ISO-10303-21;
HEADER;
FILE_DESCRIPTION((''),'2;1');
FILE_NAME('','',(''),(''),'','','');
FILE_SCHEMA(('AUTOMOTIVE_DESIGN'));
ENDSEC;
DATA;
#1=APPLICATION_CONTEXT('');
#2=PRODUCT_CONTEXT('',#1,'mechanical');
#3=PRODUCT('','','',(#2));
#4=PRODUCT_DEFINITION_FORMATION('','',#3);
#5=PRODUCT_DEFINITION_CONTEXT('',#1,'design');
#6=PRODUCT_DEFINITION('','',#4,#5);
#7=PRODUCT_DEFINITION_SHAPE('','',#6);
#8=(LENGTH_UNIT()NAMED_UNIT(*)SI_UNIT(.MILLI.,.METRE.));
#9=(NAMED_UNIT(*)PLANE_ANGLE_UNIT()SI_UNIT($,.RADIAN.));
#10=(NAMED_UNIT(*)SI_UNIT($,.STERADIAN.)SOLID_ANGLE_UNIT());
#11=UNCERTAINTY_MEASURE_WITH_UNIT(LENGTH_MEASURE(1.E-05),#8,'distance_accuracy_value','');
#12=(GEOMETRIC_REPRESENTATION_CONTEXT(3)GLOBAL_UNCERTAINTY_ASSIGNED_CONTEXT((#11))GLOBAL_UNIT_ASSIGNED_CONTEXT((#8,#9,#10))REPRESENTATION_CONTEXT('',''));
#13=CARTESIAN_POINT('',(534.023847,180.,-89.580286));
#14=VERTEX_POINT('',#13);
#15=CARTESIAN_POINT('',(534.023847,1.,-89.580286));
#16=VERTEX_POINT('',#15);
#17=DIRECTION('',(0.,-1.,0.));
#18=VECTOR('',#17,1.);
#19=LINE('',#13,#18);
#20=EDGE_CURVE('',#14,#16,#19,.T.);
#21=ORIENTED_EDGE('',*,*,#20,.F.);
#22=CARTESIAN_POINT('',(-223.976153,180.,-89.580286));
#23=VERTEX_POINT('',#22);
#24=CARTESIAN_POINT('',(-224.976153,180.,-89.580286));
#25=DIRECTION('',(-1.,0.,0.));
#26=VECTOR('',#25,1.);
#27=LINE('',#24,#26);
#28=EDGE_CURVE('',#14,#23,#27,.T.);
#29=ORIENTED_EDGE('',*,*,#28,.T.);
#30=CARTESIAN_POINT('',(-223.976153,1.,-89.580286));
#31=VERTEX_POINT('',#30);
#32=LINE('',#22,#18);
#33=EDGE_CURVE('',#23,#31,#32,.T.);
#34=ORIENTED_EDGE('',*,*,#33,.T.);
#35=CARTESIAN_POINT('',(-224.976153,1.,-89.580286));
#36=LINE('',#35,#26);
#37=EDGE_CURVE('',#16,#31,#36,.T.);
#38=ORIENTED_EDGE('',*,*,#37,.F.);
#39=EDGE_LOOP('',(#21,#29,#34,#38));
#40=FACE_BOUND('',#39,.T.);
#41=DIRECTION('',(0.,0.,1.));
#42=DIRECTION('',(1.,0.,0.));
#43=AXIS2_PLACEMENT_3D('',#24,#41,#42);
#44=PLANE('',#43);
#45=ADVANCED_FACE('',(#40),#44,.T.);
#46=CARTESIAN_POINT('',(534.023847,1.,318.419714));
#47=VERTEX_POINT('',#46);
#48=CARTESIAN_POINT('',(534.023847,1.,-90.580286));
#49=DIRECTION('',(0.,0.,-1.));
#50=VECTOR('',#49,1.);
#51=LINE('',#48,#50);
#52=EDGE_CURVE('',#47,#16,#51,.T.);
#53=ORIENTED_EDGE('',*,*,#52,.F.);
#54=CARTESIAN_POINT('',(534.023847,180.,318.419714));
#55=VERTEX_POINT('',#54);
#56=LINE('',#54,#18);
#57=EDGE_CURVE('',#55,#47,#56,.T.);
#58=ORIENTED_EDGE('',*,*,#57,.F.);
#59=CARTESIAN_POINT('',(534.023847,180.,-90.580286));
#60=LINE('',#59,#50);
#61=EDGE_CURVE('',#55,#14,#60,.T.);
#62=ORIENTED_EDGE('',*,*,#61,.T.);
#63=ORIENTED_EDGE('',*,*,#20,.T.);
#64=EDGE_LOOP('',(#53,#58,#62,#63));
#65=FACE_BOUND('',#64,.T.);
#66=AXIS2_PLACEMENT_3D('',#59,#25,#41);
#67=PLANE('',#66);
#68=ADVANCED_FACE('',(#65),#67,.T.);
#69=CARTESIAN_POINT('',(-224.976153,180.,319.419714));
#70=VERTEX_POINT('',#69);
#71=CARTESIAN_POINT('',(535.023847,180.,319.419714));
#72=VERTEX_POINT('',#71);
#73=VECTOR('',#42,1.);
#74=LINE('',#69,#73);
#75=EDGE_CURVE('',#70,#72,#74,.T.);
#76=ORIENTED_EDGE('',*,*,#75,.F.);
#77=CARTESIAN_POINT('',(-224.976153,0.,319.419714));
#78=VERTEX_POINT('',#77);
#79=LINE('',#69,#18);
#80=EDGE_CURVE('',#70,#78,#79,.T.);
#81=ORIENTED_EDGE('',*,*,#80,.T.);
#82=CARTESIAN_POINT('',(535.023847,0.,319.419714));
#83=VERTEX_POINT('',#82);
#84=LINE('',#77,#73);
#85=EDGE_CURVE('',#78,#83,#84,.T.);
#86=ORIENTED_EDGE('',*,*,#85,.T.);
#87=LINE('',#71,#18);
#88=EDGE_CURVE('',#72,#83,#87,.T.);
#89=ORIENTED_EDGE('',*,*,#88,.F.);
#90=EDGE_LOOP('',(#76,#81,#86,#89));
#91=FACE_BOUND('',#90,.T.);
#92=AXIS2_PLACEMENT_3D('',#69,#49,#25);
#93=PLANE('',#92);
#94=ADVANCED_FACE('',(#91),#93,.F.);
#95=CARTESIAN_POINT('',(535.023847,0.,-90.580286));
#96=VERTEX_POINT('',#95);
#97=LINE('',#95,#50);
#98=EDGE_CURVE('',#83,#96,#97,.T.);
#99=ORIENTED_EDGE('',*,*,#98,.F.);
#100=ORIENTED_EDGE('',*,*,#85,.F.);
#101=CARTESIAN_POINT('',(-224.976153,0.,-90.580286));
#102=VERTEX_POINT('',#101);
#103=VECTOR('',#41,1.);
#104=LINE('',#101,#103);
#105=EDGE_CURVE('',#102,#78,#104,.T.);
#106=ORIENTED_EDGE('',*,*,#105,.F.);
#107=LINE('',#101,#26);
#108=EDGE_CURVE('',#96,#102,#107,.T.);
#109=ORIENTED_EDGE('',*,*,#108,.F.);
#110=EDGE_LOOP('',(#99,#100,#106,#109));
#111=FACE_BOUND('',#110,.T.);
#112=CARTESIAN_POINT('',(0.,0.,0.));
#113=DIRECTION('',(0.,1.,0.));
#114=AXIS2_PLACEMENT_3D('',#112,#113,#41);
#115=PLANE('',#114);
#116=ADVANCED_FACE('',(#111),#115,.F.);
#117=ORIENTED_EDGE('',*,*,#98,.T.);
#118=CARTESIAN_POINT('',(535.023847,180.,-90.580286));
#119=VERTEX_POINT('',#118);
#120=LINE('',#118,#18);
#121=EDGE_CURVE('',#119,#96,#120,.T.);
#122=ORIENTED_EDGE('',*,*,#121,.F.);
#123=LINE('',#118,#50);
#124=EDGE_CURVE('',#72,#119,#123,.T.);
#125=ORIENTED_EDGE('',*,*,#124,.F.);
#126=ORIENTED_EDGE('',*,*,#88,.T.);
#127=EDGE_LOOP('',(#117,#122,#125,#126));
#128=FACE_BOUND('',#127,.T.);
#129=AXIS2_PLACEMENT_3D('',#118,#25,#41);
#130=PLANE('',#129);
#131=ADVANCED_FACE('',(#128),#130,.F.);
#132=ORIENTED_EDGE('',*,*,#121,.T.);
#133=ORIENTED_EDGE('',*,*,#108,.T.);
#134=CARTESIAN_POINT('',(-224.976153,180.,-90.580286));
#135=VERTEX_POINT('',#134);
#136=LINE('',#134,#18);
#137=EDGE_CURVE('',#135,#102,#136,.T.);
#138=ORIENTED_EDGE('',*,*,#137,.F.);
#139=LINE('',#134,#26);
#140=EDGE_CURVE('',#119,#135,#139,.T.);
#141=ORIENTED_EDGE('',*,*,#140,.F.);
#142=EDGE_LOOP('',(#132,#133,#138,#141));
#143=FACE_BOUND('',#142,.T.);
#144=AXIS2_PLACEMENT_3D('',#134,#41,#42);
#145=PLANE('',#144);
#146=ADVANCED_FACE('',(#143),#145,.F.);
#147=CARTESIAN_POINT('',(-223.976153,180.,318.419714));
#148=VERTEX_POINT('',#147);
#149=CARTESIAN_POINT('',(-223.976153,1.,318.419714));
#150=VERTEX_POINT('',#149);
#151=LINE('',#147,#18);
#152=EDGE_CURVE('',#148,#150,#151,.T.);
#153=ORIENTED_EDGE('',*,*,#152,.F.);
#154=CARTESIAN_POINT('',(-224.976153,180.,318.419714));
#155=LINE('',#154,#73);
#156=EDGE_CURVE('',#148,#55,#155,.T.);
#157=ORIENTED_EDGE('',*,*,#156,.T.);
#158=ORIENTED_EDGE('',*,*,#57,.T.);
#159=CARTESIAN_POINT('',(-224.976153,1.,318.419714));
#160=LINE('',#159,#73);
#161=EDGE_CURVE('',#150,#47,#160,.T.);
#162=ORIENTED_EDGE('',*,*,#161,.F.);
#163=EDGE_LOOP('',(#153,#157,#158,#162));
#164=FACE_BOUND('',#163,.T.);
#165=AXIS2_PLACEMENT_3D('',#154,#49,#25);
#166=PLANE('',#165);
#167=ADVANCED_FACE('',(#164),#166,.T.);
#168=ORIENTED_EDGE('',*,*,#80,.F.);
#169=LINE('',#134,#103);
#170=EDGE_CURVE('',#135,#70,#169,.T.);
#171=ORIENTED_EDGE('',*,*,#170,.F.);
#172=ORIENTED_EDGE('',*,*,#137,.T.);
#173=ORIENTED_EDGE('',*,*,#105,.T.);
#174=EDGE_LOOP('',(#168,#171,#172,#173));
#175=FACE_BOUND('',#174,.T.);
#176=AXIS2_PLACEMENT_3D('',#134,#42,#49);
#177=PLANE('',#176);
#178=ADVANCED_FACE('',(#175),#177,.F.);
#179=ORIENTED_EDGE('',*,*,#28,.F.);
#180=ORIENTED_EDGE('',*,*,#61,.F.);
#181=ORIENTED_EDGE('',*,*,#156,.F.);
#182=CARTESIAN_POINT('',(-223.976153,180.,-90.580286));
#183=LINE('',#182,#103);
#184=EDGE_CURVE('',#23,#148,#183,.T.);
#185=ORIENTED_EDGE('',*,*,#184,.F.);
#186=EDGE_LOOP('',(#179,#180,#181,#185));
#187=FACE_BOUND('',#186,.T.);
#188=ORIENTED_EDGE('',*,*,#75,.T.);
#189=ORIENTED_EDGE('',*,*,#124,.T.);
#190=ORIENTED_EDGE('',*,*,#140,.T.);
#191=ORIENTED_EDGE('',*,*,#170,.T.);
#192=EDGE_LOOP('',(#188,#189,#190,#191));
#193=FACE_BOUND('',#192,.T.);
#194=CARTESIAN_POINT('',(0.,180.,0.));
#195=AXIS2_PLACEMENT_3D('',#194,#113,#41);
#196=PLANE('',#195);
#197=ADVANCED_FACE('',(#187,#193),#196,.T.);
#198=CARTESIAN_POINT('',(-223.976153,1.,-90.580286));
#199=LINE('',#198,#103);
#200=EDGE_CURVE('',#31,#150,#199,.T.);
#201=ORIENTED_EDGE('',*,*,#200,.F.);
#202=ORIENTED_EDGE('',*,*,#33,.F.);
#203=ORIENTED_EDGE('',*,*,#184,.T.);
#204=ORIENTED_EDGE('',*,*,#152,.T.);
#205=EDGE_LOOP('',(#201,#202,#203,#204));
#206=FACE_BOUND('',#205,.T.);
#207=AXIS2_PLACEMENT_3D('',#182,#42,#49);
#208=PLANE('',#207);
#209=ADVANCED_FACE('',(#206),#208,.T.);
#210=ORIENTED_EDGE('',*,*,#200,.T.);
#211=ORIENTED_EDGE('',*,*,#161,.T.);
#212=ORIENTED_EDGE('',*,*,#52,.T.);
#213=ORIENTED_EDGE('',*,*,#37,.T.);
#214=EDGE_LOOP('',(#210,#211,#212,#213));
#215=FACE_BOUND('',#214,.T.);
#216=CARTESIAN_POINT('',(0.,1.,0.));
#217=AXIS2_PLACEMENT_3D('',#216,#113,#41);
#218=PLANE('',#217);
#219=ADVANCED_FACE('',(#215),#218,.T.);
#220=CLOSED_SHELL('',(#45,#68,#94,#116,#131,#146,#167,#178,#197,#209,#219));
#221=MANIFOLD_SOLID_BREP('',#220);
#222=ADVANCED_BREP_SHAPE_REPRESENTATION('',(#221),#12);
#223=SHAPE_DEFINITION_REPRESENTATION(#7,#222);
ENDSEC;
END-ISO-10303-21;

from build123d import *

# Parameters (mm, degrees)
SKETCH1_W           = 760
SKETCH1_H           = 410
BOSS_EXTRUDE1_DEPTH = 180
SHELL2_T            = -1


with BuildPart() as part:
    # Sketch1 → Boss-Extrude1 (new body)
    with BuildSketch(Plane(origin=(0, 0, 0), x_dir=(1, 0, 0), z_dir=(0, 1, 0))):
        with Locations((155.023847377, -114.419713831)):
            Rectangle(SKETCH1_W, SKETCH1_H)
    extrude(amount=BOSS_EXTRUDE1_DEPTH)

    # Shell2
    shell2_openings = [part.faces().sort_by_distance(p)[0] for p in [
        (155.023847377, 180, 114.419713831),
    ]]
    offset(amount=SHELL2_T, openings=shell2_openings, kind=Kind.INTERSECTION)


solid = part.part
